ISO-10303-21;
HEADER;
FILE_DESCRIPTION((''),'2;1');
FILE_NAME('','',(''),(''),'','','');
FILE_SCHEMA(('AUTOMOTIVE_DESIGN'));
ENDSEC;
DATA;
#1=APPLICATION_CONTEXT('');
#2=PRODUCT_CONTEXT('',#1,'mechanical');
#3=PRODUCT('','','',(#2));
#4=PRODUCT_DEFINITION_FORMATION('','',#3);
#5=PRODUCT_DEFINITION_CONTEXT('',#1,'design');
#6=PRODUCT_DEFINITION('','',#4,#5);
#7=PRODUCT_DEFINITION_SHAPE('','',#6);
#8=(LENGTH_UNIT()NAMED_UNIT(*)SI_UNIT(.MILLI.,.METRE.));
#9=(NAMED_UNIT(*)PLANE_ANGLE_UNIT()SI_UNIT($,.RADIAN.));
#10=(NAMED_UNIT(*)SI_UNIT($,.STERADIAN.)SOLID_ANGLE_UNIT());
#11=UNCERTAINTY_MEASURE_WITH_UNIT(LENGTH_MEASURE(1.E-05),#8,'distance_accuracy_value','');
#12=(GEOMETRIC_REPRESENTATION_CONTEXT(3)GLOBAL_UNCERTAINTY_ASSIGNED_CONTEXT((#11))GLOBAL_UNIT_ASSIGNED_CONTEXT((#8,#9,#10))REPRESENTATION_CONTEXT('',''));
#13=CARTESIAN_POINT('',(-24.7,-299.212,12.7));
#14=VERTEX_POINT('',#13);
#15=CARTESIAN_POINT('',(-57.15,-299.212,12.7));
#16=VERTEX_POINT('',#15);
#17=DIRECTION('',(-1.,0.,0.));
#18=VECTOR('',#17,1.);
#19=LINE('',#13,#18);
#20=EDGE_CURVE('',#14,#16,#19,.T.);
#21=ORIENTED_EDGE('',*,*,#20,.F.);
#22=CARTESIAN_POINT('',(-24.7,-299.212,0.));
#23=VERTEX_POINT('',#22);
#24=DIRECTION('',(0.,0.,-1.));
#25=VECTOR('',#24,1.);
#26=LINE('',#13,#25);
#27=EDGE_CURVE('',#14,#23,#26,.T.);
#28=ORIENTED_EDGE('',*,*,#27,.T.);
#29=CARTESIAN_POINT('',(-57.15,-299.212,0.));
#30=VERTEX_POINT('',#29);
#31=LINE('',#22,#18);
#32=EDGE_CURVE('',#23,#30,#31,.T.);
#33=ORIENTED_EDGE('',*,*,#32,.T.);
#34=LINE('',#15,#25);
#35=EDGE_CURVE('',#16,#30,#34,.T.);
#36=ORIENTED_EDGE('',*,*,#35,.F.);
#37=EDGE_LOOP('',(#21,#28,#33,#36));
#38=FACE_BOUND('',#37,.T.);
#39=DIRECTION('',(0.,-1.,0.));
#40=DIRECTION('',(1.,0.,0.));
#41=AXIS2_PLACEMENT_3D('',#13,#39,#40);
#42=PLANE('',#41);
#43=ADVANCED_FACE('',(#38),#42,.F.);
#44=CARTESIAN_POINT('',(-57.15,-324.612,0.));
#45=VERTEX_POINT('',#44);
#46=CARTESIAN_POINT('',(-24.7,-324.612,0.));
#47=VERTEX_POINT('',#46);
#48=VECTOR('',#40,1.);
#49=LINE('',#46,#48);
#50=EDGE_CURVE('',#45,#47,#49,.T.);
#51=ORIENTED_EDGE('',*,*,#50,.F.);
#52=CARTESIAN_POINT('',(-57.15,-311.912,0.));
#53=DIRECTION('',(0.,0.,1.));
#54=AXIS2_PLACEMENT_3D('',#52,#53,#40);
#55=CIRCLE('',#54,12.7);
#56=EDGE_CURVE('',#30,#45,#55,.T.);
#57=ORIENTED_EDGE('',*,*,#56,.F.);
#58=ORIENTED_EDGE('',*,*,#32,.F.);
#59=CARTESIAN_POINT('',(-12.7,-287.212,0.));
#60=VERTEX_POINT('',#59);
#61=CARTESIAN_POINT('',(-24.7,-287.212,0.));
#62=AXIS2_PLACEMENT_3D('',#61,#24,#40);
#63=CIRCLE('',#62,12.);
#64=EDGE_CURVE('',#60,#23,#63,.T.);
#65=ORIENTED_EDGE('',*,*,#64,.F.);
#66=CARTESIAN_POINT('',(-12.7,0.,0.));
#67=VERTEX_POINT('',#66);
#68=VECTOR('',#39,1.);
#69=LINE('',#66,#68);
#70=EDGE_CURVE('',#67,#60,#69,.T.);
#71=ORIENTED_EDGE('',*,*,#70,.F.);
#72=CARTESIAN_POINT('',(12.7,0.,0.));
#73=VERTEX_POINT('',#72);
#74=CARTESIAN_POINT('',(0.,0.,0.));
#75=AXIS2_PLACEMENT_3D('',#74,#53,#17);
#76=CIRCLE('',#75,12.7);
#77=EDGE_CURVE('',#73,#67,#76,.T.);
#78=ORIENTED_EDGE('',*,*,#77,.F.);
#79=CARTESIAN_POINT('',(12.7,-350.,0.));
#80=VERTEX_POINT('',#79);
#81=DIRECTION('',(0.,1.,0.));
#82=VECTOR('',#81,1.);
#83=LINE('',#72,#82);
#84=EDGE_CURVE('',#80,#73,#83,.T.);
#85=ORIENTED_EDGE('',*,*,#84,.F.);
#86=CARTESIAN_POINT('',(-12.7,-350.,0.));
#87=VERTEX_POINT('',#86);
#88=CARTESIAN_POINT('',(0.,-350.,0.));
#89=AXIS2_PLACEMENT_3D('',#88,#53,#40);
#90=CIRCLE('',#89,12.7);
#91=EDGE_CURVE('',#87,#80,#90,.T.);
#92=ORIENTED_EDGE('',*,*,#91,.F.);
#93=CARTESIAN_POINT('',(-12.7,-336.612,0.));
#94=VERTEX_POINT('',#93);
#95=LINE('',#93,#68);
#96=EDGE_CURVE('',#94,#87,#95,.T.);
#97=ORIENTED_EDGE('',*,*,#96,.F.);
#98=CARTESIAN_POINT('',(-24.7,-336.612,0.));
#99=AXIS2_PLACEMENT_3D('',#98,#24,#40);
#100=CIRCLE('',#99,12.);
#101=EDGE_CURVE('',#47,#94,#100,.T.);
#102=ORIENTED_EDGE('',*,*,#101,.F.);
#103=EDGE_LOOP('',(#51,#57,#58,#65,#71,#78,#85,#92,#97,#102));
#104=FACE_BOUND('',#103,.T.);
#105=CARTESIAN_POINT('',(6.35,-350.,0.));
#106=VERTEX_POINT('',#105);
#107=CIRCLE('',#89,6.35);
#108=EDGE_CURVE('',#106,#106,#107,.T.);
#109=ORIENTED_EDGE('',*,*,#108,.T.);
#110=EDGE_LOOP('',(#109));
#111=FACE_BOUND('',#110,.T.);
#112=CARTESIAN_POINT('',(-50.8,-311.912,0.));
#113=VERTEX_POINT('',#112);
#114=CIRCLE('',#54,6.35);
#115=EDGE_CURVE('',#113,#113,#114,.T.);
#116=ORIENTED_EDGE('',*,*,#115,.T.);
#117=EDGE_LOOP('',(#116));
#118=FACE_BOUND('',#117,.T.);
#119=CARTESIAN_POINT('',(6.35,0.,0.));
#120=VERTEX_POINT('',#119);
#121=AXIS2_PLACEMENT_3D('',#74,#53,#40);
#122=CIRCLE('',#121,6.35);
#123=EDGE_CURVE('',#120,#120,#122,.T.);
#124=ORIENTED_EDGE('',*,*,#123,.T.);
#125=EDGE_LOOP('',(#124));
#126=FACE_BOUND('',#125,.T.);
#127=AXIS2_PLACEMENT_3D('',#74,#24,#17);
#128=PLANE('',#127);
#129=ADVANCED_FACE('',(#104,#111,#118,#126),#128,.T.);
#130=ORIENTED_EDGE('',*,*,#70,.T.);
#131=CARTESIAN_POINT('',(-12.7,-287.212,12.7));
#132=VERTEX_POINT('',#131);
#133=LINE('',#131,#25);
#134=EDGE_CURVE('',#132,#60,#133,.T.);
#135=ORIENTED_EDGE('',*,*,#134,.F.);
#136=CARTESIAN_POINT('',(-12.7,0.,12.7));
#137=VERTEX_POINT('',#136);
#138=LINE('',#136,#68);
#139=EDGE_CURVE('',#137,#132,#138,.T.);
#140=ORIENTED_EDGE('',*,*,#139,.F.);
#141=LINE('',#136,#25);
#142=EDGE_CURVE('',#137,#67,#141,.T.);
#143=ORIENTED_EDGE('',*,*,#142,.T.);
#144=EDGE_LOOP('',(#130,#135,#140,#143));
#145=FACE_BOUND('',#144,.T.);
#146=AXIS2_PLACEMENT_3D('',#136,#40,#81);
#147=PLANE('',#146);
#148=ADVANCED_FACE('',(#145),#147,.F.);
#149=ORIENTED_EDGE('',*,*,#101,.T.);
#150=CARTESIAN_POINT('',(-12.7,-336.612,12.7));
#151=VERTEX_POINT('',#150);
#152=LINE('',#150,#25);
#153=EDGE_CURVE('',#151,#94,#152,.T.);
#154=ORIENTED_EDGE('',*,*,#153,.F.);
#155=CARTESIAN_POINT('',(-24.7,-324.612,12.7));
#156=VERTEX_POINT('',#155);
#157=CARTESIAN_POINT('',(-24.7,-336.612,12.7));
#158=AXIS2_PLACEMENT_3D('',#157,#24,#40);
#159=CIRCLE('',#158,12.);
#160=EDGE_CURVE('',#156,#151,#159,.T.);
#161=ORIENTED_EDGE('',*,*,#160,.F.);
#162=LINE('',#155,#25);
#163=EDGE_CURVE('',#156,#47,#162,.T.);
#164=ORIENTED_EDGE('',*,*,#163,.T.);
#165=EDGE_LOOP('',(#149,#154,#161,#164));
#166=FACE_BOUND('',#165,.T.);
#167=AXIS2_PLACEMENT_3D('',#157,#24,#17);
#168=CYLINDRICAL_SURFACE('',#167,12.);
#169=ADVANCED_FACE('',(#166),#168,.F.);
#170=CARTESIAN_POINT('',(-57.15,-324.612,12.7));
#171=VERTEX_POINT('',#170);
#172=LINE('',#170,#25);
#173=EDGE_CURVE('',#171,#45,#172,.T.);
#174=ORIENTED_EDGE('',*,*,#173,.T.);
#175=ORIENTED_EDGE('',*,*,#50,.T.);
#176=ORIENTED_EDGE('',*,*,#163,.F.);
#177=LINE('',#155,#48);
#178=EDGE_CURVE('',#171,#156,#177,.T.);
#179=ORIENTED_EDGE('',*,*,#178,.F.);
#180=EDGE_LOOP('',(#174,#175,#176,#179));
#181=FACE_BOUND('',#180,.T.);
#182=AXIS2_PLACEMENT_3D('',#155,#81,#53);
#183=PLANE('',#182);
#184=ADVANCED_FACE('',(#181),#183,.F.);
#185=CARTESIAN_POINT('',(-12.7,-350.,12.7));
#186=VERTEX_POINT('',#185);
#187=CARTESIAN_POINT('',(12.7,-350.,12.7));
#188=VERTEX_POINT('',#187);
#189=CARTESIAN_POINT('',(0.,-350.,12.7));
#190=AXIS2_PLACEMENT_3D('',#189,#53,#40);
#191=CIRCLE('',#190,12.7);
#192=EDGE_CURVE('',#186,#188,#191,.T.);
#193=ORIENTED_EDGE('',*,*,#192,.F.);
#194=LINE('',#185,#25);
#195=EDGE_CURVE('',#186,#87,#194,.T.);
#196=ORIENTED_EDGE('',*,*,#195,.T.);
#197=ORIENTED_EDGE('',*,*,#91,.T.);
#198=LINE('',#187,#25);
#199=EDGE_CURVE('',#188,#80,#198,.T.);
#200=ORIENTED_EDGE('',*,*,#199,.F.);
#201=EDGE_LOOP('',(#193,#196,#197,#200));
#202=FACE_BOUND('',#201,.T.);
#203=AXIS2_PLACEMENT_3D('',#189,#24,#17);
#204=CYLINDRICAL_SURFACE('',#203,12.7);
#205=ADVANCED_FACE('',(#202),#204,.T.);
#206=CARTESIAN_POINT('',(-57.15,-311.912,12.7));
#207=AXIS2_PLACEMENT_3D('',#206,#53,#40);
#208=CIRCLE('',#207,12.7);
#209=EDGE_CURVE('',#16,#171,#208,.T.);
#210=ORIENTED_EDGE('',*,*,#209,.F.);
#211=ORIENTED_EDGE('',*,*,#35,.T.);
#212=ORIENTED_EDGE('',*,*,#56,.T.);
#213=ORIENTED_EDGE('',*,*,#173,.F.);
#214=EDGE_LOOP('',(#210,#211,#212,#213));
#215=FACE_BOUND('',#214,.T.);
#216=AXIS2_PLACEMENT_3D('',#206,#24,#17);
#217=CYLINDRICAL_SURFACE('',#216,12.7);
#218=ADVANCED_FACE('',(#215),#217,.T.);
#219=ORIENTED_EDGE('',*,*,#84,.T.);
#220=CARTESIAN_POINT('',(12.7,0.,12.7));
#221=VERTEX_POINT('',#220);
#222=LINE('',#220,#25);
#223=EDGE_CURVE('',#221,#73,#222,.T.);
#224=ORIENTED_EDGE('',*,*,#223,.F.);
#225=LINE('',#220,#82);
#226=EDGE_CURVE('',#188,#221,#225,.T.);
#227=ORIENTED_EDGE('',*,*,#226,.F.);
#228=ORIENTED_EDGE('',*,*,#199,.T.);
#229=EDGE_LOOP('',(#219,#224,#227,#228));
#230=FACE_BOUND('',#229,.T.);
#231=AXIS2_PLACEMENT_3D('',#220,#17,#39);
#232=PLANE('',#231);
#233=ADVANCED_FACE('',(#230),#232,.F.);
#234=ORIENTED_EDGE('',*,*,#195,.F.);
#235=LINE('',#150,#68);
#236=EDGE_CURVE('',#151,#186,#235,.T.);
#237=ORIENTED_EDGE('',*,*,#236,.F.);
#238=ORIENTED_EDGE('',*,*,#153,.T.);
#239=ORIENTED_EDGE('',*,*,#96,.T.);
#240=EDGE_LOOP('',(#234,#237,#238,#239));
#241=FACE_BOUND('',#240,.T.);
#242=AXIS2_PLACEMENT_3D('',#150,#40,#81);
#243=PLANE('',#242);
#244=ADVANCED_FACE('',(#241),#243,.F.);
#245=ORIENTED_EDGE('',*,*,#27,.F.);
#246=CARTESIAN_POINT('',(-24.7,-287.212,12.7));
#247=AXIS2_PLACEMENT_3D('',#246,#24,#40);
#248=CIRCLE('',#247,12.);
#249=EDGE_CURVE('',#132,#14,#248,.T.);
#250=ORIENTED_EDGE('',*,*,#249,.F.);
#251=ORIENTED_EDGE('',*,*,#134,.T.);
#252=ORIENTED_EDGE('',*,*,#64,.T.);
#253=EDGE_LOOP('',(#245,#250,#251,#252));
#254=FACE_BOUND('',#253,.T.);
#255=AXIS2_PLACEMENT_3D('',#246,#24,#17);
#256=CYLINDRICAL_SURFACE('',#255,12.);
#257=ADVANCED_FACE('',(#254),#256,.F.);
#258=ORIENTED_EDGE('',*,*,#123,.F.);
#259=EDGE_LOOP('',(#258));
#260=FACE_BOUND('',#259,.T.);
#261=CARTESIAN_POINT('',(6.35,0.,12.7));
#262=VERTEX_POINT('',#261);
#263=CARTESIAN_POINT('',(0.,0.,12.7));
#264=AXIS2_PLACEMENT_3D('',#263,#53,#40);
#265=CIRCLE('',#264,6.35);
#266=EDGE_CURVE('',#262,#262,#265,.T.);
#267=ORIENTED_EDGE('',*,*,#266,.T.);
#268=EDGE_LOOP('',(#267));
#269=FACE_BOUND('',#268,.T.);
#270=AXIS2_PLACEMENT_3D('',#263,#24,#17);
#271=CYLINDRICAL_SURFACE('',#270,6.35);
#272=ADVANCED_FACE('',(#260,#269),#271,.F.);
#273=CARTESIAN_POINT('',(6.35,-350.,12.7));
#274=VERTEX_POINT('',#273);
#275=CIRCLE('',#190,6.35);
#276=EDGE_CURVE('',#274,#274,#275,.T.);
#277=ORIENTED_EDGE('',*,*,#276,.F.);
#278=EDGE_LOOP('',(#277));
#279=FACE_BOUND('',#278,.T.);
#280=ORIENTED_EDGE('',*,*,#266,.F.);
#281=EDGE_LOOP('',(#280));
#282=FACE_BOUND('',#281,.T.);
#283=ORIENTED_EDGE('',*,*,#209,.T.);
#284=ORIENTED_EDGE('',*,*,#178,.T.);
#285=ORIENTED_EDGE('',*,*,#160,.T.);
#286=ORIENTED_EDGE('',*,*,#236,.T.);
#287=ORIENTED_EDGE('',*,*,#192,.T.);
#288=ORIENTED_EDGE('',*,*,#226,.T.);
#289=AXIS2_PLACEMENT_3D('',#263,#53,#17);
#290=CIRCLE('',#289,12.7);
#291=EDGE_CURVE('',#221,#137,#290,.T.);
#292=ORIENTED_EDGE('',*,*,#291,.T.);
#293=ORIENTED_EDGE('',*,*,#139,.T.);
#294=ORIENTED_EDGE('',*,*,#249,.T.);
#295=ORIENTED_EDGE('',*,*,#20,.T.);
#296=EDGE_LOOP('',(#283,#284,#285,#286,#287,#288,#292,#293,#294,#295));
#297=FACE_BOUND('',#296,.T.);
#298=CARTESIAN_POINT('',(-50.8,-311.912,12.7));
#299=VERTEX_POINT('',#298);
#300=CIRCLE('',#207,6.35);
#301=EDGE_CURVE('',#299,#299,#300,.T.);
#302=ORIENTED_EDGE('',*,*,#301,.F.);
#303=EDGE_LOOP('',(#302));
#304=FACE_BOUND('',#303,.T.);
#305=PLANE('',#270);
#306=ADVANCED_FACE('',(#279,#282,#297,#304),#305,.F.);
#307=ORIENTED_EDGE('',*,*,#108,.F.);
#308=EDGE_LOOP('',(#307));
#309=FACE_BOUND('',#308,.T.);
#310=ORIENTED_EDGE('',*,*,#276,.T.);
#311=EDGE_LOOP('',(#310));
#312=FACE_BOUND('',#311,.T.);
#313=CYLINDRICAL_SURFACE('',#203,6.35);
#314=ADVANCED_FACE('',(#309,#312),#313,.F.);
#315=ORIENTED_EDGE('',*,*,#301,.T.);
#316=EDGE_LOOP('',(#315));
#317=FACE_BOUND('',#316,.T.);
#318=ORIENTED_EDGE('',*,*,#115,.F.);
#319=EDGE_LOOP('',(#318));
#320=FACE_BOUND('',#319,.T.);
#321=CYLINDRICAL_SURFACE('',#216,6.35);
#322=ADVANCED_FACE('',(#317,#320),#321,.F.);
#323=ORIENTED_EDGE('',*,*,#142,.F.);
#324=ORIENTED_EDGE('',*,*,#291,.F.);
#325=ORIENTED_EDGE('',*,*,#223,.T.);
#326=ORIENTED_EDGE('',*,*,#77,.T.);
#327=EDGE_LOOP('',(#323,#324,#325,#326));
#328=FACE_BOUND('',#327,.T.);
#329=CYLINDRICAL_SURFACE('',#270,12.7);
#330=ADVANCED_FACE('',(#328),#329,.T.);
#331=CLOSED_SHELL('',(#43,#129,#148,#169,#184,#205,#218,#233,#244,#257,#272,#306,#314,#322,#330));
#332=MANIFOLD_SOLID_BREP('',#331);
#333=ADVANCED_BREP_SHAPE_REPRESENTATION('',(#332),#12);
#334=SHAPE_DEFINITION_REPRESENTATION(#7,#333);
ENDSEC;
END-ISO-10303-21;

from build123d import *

# Parameters (mm, degrees)
SKETCH1_R           = 6.35
BOSS_EXTRUDE3_DEPTH = 12.7


with BuildPart() as part:
    # Sketch1 → Boss-Extrude3 (new body)
    with BuildSketch(Plane.XY):
        with BuildLine():
            Line((-12.7, -336.612), (-12.7, -350))
            ThreePointArc((-12.7, -350), (0, -362.7), (12.7, -350))
            Line((12.7, -350), (12.7, 0))
            ThreePointArc((12.7, 0), (0, 12.7), (-12.7, 0))
            Line((-12.7, 0), (-12.7, -287.212))
            ThreePointArc((-12.7, -287.212), (-16.214718626, -295.697281374), (-24.7, -299.212))
            Line((-24.7, -299.212), (-57.15, -299.212))
            ThreePointArc((-57.15, -299.212), (-69.85, -311.912), (-57.15, -324.612))
            Line((-57.15, -324.612), (-24.7, -324.612))
            ThreePointArc((-24.7, -324.612), (-16.214718626, -328.126718626), (-12.7, -336.612))
        make_face()
        Circle(SKETCH1_R, mode=Mode.SUBTRACT)
        with Locations((-57.15, -311.912)):
            Circle(SKETCH1_R, mode=Mode.SUBTRACT)
        with Locations((0, -350)):
            Circle(SKETCH1_R, mode=Mode.SUBTRACT)
    extrude(amount=BOSS_EXTRUDE3_DEPTH)


solid = part.part
